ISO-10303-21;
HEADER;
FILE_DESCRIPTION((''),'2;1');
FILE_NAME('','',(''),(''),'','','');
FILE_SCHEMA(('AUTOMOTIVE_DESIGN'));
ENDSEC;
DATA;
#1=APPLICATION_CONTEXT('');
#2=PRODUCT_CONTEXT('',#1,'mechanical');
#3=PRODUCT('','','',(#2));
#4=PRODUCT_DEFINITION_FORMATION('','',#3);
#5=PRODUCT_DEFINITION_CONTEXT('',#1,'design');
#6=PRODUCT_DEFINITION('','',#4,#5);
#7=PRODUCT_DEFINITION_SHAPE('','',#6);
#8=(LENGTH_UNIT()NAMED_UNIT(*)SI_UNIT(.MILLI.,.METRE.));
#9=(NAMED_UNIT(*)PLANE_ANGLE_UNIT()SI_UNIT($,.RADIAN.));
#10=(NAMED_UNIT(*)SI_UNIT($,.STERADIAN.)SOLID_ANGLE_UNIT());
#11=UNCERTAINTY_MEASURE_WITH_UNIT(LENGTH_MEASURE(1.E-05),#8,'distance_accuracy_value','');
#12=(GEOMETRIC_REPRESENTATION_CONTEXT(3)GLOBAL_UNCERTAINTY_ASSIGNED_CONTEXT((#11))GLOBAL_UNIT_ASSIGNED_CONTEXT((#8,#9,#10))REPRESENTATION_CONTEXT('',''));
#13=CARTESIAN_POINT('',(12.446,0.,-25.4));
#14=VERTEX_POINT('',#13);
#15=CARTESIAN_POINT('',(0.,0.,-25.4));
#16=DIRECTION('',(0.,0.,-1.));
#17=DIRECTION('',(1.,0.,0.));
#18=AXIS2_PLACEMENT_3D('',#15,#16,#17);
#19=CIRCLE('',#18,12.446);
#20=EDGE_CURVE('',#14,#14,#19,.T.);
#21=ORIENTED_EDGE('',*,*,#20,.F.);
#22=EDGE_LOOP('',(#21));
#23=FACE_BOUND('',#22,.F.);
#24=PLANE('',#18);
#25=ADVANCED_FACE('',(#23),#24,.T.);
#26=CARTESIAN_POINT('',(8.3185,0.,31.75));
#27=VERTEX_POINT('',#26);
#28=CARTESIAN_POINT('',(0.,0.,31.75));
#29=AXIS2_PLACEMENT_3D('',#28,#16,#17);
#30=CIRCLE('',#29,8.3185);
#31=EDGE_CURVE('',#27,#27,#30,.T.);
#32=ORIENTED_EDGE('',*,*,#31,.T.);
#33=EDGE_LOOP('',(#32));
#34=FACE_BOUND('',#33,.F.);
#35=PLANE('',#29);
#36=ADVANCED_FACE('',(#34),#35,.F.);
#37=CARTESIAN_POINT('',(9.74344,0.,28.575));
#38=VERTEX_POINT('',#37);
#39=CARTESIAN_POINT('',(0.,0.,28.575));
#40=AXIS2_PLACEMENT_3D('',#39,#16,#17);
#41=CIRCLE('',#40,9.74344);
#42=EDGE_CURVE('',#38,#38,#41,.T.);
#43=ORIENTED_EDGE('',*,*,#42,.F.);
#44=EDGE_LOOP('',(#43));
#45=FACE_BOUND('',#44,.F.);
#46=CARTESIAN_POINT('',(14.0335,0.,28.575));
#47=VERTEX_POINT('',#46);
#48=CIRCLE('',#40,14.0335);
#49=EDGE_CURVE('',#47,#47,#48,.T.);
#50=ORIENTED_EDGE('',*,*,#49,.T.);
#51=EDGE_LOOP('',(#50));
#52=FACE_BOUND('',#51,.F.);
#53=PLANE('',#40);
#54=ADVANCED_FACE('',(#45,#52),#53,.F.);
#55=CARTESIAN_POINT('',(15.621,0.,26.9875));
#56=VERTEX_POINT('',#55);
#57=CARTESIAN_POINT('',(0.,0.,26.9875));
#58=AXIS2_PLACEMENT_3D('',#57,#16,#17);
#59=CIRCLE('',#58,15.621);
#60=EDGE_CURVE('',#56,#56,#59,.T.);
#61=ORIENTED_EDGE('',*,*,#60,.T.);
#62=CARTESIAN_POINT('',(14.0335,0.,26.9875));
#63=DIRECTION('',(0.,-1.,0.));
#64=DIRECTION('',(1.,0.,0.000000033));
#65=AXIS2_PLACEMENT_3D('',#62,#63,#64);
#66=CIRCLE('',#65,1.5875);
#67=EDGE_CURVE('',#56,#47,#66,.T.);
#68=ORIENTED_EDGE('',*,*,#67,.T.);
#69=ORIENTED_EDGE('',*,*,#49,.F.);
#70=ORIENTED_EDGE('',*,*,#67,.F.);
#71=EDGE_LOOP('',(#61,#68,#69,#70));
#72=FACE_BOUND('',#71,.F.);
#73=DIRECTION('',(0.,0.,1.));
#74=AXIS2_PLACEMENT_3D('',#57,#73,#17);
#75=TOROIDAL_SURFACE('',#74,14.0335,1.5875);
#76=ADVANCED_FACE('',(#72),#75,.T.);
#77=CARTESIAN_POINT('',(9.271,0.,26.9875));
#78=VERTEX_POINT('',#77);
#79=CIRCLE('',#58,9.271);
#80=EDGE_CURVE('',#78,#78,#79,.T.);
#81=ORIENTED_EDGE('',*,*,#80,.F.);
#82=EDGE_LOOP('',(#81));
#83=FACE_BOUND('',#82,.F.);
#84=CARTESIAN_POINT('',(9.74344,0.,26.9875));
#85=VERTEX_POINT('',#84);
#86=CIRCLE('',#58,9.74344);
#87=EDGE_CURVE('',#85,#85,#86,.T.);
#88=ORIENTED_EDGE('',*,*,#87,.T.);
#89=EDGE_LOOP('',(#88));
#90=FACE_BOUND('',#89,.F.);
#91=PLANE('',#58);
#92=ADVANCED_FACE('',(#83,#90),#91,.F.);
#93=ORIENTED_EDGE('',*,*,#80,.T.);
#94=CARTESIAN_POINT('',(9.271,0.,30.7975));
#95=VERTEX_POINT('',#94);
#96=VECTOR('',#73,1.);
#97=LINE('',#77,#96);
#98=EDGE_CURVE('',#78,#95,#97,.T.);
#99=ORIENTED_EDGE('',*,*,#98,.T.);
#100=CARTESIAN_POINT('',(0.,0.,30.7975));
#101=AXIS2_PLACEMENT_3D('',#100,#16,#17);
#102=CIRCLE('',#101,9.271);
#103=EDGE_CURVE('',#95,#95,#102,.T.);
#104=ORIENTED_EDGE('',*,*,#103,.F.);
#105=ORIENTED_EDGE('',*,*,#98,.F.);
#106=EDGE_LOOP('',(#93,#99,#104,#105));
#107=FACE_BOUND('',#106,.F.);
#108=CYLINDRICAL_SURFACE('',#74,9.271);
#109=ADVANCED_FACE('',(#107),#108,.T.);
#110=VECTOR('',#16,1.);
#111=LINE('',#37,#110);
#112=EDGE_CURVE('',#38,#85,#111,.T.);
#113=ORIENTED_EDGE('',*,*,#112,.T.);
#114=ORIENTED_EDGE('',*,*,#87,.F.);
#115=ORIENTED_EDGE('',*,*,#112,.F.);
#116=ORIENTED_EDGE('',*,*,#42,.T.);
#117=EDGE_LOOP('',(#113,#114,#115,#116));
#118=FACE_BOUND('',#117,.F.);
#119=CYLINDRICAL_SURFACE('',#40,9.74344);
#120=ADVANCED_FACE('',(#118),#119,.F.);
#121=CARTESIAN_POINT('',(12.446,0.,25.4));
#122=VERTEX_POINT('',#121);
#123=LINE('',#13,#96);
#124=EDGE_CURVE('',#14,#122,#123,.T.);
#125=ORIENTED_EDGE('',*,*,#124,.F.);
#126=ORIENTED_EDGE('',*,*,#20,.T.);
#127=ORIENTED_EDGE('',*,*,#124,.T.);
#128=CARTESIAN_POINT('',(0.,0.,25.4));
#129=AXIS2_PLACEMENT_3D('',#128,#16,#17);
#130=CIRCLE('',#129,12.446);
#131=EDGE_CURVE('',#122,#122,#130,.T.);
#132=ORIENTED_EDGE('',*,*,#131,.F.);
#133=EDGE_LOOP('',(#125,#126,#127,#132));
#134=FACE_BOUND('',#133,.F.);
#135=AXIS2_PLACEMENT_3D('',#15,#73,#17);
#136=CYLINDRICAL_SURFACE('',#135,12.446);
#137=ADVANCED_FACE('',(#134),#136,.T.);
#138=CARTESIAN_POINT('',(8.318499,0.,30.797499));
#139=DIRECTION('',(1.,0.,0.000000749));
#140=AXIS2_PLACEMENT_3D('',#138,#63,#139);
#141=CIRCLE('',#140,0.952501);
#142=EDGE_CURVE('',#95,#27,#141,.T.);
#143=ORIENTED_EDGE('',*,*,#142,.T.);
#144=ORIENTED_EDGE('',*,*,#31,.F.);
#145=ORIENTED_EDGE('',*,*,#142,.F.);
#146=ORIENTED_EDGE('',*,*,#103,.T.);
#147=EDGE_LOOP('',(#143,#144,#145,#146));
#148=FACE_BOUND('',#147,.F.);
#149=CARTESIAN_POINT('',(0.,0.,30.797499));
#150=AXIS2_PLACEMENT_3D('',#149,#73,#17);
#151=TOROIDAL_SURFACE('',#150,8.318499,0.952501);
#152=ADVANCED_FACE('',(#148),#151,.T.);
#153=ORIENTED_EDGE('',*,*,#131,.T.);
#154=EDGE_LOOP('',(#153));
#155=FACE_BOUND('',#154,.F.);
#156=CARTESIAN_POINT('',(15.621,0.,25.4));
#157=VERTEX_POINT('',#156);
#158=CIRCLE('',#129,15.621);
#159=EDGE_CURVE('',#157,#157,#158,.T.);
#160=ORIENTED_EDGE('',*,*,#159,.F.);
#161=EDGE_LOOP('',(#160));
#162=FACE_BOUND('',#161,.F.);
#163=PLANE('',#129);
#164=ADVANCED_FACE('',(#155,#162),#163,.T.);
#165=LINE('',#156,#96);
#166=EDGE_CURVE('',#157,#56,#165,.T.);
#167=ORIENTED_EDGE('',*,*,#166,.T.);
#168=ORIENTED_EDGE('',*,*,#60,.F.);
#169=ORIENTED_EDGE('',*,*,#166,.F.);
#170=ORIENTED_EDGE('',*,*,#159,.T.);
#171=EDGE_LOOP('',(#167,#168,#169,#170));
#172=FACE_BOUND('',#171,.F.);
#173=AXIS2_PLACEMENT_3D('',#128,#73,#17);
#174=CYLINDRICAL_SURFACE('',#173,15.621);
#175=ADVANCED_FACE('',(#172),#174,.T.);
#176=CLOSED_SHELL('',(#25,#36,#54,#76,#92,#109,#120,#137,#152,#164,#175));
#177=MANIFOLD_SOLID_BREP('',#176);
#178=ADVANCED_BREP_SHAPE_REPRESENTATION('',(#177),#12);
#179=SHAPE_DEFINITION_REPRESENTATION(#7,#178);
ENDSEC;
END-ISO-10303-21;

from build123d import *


with BuildPart() as f1:
    # F0 (on Front) → F1 (revolve)
    with BuildSketch(Plane.XZ):
        with BuildLine():
            Line((12.446, -25.4), (12.446, 25.4))
            Line((12.446, 25.4), (15.621, 25.4))
            Line((15.621, 25.4), (15.621, 26.9875))
            ThreePointArc((15.621, 26.9875), (15.156032, 28.110032), (14.0335, 28.575))
            Line((14.0335, 28.575), (9.74344, 28.575))
            Line((9.74344, 28.575), (9.74344, 26.9875))
            Line((9.74344, 26.9875), (9.271, 26.9875))
            Line((9.271, 26.9875), (9.271, 28.575))
            Line((9.271, 28.575), (9.271, 30.7975))
            ThreePointArc((9.271, 30.7975), (8.992019, 31.471019), (8.3185, 31.75))
            Line((8.3185, 31.75), (0, 31.75))
            Line((0, 31.75), (0, -25.4))
            Line((0, -25.4), (12.446, -25.4))
        make_face()
    revolve(axis=Axis((0, 0, -2.180368), (0, 0, -1)))


solid = f1.part
